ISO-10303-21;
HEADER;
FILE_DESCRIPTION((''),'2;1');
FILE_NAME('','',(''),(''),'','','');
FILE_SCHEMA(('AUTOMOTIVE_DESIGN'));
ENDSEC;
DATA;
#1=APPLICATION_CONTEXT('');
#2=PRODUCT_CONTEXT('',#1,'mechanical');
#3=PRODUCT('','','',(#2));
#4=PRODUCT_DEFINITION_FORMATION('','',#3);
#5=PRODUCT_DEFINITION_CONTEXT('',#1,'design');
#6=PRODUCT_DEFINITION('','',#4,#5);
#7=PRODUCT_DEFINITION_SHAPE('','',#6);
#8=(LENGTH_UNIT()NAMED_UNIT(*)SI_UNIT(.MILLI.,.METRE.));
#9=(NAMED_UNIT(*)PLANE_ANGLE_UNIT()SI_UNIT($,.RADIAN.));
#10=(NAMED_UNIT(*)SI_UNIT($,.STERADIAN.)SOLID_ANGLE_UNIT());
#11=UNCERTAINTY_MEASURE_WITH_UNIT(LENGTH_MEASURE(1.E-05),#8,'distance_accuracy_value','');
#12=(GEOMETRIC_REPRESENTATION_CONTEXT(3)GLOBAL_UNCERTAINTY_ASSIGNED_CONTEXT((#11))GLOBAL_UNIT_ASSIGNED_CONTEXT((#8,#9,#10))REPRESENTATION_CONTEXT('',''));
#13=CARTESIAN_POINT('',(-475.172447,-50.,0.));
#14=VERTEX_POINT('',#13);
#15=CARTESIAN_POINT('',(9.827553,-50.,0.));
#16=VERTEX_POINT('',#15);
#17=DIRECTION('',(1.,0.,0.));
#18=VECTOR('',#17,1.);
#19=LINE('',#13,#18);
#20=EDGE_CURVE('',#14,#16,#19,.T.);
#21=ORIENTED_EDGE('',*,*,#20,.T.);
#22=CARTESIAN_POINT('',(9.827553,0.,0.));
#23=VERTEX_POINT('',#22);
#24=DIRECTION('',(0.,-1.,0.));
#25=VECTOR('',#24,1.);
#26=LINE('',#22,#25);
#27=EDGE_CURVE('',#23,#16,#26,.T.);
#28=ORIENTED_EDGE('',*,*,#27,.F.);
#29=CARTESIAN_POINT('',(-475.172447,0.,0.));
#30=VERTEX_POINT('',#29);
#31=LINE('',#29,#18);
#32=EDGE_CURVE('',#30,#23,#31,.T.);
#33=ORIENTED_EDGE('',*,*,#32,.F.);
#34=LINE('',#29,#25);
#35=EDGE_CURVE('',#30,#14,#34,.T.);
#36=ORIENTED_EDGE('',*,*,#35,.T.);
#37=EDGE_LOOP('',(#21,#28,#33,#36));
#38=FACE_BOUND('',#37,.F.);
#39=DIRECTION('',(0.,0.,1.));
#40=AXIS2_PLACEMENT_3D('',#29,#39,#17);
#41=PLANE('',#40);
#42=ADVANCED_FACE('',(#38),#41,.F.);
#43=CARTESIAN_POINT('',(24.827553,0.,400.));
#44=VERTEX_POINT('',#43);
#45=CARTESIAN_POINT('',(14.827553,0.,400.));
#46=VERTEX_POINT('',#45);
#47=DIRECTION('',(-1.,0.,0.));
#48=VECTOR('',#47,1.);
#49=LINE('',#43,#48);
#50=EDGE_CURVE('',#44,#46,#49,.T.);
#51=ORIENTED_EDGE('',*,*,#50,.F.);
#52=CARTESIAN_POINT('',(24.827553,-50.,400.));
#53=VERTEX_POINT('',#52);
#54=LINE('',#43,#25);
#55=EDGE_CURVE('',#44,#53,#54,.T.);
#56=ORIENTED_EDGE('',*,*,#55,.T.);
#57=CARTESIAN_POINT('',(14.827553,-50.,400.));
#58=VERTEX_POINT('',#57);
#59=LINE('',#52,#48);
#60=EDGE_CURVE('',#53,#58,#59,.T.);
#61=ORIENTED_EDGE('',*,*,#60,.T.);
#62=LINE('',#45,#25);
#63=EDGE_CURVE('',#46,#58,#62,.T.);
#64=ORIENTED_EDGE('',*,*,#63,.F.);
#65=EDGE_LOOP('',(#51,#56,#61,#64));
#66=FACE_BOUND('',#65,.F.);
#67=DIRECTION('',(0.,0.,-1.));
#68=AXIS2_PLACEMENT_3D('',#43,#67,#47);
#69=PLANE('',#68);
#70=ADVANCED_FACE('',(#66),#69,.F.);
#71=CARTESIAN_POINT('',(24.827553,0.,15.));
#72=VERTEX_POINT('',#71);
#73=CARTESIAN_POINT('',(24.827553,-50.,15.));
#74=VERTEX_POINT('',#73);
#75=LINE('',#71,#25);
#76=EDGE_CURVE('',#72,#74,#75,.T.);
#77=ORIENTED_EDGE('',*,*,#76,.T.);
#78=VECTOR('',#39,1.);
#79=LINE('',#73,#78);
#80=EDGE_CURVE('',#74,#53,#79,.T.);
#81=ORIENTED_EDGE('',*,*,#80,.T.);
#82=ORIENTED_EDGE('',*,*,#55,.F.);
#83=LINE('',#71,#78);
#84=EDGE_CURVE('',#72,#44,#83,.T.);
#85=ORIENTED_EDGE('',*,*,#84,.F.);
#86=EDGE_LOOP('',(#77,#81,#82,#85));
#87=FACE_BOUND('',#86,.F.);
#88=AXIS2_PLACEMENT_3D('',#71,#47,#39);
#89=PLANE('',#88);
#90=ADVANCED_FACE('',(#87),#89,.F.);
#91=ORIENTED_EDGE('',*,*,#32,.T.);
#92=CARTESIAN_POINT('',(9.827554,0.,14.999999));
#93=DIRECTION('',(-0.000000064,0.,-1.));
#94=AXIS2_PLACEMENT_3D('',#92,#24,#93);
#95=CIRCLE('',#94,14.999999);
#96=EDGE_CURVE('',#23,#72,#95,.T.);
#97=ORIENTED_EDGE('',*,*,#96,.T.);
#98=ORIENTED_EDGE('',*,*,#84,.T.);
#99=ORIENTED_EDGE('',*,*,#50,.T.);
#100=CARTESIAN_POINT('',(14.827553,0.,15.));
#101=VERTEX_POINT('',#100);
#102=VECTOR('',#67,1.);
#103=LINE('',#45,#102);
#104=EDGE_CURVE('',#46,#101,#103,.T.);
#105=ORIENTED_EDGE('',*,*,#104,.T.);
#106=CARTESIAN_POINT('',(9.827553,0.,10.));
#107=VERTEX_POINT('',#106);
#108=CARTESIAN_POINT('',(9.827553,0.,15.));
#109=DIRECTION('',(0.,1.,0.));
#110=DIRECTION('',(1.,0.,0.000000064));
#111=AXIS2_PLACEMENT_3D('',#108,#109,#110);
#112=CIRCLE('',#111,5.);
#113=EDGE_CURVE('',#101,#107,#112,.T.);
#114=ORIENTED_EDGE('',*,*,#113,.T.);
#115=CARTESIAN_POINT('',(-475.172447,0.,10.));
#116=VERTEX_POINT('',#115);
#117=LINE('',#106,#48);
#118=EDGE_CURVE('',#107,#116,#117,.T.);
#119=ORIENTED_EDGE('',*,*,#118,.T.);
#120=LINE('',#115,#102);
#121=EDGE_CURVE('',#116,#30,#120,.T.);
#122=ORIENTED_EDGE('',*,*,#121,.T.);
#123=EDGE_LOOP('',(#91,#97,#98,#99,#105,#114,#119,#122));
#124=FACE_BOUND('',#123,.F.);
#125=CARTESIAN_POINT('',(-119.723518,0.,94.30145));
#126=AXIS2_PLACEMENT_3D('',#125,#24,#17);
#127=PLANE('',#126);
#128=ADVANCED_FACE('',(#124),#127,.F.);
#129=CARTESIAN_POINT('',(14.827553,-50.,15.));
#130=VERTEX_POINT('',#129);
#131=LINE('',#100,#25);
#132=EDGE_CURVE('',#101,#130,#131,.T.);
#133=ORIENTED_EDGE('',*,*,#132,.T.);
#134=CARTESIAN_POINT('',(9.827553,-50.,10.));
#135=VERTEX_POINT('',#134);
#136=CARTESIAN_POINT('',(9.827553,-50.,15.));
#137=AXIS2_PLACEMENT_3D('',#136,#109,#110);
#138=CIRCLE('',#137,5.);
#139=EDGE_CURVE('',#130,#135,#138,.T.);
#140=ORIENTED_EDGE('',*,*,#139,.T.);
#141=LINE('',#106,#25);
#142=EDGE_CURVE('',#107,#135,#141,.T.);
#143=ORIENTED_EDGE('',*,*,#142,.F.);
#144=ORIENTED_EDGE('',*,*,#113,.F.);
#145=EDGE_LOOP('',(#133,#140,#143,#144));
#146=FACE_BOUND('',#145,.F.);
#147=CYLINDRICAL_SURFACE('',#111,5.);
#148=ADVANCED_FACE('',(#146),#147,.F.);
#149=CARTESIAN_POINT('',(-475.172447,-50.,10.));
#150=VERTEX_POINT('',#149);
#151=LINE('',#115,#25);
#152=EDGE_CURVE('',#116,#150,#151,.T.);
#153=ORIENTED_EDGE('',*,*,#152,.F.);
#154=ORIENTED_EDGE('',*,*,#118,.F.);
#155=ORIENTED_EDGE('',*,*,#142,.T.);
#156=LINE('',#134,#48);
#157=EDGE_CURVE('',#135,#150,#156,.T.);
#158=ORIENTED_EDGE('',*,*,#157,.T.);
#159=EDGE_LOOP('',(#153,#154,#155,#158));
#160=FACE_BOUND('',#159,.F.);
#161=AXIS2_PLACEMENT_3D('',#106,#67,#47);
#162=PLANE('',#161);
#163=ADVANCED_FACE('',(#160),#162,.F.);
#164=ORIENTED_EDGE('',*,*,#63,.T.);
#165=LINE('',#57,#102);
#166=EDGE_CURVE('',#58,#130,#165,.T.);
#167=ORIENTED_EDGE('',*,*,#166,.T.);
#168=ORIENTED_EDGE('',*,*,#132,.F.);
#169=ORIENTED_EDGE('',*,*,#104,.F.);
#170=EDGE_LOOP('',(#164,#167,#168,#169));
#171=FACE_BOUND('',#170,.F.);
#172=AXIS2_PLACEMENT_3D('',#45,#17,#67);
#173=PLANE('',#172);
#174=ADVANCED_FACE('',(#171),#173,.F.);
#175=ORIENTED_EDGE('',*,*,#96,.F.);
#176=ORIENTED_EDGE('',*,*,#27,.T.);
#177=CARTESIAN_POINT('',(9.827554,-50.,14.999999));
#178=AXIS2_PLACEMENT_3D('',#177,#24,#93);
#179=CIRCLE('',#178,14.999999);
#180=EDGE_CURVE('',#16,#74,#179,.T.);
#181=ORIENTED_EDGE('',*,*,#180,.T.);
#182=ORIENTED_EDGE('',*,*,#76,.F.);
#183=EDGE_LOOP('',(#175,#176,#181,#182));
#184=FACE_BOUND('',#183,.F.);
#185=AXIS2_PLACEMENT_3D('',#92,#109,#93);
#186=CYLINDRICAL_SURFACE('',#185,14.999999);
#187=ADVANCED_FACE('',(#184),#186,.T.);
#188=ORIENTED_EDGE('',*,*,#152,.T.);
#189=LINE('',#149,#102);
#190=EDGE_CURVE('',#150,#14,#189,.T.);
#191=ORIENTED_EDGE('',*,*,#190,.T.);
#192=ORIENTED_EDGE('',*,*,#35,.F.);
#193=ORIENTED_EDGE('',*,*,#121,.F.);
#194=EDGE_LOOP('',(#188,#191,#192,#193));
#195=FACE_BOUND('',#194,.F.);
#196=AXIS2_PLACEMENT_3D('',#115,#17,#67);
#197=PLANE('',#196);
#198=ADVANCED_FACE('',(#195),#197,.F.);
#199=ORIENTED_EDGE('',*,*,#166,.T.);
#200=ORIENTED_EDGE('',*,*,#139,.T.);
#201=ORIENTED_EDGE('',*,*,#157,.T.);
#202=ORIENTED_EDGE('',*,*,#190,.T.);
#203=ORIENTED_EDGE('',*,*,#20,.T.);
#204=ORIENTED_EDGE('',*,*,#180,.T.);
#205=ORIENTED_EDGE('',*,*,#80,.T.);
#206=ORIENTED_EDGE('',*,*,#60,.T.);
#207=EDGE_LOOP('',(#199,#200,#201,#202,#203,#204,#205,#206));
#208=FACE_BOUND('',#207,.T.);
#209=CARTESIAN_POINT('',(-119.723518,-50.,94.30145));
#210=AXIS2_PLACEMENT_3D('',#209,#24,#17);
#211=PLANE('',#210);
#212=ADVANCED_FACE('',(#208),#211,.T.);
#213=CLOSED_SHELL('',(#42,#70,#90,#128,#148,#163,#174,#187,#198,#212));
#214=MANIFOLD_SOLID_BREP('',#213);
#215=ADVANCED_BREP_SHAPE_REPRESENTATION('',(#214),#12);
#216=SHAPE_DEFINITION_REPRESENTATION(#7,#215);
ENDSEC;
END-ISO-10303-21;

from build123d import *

# Parameters (mm, degrees)
F1_DEPTH = 50


with BuildPart() as f1:
    # F0 (on Front) → F1 (new body)
    with BuildSketch(Plane.XZ):
        with BuildLine():
            Line((-475.172447, 10), (-475.172447, 0))
            Line((-475.172447, 0), (9.827553, 0))
            ThreePointArc((9.827553, 0), (20.434155, 4.393398), (24.827553, 15))
            Line((24.827553, 15), (24.827553, 400))
            Line((24.827553, 400), (14.827553, 400))
            Line((14.827553, 400), (14.827553, 15))
            ThreePointArc((14.827553, 15), (13.363087, 11.464466), (9.827553, 10))
            Line((9.827553, 10), (-475.172447, 10))
        make_face()
    extrude(amount=F1_DEPTH)


solid = f1.part
